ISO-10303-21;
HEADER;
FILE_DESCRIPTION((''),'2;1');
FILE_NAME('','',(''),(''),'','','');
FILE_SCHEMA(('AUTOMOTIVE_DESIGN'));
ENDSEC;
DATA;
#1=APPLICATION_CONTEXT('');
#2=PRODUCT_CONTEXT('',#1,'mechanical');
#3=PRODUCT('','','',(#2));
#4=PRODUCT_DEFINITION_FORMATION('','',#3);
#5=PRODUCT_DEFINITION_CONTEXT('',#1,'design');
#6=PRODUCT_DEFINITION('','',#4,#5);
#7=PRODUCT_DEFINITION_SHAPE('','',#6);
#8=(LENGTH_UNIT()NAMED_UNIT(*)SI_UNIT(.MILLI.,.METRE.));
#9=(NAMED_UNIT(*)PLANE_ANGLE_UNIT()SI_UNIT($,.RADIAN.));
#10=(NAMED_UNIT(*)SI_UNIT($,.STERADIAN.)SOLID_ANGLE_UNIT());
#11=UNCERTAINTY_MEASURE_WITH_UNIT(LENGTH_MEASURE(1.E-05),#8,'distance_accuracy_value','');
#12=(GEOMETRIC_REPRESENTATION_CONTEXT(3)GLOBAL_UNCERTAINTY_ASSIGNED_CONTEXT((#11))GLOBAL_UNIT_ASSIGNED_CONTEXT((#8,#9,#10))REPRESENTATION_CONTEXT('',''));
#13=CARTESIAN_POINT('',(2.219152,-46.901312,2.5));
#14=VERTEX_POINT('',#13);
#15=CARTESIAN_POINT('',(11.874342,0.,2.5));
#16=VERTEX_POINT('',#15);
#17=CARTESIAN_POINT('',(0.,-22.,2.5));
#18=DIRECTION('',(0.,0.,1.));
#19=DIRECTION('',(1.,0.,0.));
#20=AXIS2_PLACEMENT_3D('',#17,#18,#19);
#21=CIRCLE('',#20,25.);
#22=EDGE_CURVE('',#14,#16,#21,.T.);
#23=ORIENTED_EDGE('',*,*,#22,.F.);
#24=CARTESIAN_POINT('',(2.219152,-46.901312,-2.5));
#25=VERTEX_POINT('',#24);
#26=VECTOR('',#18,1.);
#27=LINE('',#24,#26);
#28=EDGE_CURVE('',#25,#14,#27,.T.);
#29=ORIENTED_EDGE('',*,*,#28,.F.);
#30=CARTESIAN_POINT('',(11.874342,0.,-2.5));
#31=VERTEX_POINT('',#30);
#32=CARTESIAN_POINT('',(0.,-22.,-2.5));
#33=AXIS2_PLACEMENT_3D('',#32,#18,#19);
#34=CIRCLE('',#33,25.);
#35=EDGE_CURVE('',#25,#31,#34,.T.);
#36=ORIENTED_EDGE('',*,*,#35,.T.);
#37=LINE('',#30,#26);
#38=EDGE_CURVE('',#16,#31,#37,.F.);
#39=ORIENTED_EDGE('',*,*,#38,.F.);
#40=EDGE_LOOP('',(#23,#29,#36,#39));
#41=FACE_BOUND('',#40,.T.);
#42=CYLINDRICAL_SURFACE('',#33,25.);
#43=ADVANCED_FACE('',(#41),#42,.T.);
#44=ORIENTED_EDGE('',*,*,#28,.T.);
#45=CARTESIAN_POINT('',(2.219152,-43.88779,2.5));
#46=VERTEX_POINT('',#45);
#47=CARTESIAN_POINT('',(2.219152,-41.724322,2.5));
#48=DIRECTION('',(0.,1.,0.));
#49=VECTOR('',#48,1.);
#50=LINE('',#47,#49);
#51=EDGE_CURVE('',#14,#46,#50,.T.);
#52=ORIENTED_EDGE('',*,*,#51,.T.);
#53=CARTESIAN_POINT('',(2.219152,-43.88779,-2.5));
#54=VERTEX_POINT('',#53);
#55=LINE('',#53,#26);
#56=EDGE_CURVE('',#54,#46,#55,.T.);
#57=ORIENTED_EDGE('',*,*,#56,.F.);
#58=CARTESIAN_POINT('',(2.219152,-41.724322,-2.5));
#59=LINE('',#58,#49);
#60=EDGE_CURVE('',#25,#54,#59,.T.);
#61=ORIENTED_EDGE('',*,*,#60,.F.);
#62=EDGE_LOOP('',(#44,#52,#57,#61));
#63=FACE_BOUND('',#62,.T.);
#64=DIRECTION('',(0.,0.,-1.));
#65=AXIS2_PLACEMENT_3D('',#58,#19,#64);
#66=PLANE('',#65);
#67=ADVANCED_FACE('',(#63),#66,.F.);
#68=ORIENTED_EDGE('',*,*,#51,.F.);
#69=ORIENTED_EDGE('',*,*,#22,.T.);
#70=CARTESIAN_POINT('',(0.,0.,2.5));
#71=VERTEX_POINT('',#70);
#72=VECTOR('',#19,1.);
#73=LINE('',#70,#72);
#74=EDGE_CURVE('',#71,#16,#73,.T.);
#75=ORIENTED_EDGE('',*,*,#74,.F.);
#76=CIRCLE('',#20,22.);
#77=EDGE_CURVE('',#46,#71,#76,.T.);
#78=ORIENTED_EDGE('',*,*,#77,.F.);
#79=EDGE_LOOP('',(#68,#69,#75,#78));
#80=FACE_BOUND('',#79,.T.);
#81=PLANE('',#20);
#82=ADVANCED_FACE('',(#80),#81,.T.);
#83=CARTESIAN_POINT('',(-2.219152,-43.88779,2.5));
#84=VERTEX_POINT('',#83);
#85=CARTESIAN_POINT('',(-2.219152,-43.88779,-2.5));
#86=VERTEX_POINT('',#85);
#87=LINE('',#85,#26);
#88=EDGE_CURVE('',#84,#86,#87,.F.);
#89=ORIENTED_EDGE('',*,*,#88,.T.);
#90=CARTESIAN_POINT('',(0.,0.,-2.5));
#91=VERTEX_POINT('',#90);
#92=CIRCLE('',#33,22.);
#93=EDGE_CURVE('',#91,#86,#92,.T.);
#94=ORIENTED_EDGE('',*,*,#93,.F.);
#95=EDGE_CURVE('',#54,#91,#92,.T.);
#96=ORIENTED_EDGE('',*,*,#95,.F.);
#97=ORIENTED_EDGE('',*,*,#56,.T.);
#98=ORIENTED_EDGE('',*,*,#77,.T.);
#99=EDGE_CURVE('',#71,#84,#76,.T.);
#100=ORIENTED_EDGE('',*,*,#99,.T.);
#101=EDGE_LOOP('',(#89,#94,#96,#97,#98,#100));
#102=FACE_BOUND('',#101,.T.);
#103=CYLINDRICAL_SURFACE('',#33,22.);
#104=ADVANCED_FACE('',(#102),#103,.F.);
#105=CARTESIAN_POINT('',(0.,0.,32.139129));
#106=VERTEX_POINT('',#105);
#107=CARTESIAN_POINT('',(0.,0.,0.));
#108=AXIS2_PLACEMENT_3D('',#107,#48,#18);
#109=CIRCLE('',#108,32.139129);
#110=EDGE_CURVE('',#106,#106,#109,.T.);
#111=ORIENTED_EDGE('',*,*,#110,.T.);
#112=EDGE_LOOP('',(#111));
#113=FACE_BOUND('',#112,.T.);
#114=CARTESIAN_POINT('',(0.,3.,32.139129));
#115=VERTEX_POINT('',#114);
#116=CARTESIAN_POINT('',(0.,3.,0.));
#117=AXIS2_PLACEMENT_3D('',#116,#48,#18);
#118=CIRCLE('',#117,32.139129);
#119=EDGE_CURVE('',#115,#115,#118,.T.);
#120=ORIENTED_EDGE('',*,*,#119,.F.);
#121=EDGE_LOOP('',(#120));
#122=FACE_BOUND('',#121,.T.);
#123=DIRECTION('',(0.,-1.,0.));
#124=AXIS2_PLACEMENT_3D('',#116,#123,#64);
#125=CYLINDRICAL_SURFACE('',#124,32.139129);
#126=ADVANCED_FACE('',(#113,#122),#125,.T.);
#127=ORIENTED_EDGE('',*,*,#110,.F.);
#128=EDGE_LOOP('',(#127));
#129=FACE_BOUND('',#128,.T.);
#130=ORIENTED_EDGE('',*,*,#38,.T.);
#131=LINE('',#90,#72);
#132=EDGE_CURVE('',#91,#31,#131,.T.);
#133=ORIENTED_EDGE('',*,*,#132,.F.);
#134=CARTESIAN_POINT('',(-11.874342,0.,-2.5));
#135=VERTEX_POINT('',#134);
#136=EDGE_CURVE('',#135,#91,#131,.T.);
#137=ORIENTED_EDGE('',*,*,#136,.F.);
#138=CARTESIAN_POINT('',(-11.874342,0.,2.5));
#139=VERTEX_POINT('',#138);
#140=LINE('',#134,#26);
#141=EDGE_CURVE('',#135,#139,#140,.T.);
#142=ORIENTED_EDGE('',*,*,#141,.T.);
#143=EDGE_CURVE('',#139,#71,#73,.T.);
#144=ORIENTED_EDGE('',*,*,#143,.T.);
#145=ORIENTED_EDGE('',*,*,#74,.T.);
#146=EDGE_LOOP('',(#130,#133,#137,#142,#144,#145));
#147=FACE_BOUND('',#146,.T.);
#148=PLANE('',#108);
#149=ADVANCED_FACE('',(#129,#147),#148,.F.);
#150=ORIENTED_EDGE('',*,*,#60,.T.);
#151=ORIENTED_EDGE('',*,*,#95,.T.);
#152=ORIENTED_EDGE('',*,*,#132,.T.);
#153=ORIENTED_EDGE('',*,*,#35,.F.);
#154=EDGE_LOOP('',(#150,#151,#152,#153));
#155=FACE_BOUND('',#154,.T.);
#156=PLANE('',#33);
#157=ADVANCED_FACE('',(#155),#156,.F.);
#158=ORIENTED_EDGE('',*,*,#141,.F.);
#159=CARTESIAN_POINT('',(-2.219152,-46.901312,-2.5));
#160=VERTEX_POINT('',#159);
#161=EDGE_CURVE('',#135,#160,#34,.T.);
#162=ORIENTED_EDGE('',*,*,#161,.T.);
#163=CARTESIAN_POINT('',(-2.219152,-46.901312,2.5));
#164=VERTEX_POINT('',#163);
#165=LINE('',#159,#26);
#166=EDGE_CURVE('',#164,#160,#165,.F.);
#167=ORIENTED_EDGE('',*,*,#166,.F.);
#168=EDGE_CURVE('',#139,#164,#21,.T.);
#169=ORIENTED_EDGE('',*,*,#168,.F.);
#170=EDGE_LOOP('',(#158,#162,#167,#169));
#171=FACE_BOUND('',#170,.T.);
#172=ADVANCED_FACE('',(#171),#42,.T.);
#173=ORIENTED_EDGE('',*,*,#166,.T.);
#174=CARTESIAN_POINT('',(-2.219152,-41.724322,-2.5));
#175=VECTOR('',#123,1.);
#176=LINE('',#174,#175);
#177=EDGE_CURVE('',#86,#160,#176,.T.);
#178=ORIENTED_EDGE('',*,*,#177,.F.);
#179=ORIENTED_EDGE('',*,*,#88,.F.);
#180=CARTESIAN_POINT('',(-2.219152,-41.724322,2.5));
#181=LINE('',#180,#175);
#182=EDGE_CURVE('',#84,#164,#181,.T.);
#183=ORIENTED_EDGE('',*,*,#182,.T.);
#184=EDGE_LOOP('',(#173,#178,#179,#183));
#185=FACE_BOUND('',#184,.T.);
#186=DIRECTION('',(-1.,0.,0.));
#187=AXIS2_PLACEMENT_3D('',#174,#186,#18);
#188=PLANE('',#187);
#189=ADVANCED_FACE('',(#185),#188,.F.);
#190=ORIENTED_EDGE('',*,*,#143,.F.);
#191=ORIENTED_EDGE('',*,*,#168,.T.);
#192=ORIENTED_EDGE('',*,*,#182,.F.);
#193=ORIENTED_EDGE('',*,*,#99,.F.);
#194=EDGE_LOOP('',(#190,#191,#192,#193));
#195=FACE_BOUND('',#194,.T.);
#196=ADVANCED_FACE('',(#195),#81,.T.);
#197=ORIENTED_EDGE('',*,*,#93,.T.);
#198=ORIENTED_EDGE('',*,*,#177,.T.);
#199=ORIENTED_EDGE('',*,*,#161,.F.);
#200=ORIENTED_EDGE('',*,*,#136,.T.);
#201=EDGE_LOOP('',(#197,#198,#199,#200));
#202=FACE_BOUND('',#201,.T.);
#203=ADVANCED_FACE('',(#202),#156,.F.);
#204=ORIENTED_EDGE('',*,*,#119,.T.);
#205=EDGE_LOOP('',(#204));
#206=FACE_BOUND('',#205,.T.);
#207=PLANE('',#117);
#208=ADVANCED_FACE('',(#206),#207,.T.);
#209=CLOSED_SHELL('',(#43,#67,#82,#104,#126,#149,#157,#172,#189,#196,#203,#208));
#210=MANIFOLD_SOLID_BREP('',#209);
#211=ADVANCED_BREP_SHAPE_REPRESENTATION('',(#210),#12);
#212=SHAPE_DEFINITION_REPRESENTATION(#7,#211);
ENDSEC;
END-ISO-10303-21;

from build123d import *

# Parameters (mm, degrees)
ESQUISSE1_R             = 32.139129067
BOSS_EXTRU_1_DEPTH      = 3
BOSS_EXTRU_2_DEPTH      = 2.5
BOSS_EXTRU_2_DEPTH_BACK = 2.5
ESQUISSE2_R             = 25
ESQUISSE3_R             = 22
ENL_V_MAT_EXTRU_1_DEPTH = 5
ESQUISSE7_W             = 4.438304304
ESQUISSE7_H             = 8.275677871
ENL_V_MAT_EXTRU_4_DEPTH = 5


with BuildPart() as part:
    # Esquisse1 → Boss.-Extru.1 (new body)
    with BuildSketch(Plane(origin=(0, 0, 0), x_dir=(1, 0, 0), z_dir=(0, 1, 0))):
        Circle(ESQUISSE1_R)
    extrude(amount=BOSS_EXTRU_1_DEPTH)

    # Esquisse2 → Boss.-Extru.2 (add, two sides: drawn at the far end of the back side and taken through both)
    with BuildSketch(Plane.XY.offset(-BOSS_EXTRU_2_DEPTH_BACK)):
        with Locations((0, -22)):
            Circle(ESQUISSE2_R)
    extrude(amount=BOSS_EXTRU_2_DEPTH + BOSS_EXTRU_2_DEPTH_BACK)

    # Esquisse3 → Enlèv. mat.-Extru.1 (cut)
    with BuildSketch(Plane.XY.offset(2.5)):
        with Locations((0, -22)):
            Circle(ESQUISSE3_R)
    extrude(amount=-ENL_V_MAT_EXTRU_1_DEPTH, mode=Mode.SUBTRACT)

    # Esquisse7 → Enlèv. mat.-Extru.4 (cut)
    with BuildSketch(Plane.XY.offset(2.5)):
        with Locations((0, -45.862161065)):
            Rectangle(ESQUISSE7_W, ESQUISSE7_H)
    extrude(amount=-ENL_V_MAT_EXTRU_4_DEPTH, mode=Mode.SUBTRACT)


solid = part.part
